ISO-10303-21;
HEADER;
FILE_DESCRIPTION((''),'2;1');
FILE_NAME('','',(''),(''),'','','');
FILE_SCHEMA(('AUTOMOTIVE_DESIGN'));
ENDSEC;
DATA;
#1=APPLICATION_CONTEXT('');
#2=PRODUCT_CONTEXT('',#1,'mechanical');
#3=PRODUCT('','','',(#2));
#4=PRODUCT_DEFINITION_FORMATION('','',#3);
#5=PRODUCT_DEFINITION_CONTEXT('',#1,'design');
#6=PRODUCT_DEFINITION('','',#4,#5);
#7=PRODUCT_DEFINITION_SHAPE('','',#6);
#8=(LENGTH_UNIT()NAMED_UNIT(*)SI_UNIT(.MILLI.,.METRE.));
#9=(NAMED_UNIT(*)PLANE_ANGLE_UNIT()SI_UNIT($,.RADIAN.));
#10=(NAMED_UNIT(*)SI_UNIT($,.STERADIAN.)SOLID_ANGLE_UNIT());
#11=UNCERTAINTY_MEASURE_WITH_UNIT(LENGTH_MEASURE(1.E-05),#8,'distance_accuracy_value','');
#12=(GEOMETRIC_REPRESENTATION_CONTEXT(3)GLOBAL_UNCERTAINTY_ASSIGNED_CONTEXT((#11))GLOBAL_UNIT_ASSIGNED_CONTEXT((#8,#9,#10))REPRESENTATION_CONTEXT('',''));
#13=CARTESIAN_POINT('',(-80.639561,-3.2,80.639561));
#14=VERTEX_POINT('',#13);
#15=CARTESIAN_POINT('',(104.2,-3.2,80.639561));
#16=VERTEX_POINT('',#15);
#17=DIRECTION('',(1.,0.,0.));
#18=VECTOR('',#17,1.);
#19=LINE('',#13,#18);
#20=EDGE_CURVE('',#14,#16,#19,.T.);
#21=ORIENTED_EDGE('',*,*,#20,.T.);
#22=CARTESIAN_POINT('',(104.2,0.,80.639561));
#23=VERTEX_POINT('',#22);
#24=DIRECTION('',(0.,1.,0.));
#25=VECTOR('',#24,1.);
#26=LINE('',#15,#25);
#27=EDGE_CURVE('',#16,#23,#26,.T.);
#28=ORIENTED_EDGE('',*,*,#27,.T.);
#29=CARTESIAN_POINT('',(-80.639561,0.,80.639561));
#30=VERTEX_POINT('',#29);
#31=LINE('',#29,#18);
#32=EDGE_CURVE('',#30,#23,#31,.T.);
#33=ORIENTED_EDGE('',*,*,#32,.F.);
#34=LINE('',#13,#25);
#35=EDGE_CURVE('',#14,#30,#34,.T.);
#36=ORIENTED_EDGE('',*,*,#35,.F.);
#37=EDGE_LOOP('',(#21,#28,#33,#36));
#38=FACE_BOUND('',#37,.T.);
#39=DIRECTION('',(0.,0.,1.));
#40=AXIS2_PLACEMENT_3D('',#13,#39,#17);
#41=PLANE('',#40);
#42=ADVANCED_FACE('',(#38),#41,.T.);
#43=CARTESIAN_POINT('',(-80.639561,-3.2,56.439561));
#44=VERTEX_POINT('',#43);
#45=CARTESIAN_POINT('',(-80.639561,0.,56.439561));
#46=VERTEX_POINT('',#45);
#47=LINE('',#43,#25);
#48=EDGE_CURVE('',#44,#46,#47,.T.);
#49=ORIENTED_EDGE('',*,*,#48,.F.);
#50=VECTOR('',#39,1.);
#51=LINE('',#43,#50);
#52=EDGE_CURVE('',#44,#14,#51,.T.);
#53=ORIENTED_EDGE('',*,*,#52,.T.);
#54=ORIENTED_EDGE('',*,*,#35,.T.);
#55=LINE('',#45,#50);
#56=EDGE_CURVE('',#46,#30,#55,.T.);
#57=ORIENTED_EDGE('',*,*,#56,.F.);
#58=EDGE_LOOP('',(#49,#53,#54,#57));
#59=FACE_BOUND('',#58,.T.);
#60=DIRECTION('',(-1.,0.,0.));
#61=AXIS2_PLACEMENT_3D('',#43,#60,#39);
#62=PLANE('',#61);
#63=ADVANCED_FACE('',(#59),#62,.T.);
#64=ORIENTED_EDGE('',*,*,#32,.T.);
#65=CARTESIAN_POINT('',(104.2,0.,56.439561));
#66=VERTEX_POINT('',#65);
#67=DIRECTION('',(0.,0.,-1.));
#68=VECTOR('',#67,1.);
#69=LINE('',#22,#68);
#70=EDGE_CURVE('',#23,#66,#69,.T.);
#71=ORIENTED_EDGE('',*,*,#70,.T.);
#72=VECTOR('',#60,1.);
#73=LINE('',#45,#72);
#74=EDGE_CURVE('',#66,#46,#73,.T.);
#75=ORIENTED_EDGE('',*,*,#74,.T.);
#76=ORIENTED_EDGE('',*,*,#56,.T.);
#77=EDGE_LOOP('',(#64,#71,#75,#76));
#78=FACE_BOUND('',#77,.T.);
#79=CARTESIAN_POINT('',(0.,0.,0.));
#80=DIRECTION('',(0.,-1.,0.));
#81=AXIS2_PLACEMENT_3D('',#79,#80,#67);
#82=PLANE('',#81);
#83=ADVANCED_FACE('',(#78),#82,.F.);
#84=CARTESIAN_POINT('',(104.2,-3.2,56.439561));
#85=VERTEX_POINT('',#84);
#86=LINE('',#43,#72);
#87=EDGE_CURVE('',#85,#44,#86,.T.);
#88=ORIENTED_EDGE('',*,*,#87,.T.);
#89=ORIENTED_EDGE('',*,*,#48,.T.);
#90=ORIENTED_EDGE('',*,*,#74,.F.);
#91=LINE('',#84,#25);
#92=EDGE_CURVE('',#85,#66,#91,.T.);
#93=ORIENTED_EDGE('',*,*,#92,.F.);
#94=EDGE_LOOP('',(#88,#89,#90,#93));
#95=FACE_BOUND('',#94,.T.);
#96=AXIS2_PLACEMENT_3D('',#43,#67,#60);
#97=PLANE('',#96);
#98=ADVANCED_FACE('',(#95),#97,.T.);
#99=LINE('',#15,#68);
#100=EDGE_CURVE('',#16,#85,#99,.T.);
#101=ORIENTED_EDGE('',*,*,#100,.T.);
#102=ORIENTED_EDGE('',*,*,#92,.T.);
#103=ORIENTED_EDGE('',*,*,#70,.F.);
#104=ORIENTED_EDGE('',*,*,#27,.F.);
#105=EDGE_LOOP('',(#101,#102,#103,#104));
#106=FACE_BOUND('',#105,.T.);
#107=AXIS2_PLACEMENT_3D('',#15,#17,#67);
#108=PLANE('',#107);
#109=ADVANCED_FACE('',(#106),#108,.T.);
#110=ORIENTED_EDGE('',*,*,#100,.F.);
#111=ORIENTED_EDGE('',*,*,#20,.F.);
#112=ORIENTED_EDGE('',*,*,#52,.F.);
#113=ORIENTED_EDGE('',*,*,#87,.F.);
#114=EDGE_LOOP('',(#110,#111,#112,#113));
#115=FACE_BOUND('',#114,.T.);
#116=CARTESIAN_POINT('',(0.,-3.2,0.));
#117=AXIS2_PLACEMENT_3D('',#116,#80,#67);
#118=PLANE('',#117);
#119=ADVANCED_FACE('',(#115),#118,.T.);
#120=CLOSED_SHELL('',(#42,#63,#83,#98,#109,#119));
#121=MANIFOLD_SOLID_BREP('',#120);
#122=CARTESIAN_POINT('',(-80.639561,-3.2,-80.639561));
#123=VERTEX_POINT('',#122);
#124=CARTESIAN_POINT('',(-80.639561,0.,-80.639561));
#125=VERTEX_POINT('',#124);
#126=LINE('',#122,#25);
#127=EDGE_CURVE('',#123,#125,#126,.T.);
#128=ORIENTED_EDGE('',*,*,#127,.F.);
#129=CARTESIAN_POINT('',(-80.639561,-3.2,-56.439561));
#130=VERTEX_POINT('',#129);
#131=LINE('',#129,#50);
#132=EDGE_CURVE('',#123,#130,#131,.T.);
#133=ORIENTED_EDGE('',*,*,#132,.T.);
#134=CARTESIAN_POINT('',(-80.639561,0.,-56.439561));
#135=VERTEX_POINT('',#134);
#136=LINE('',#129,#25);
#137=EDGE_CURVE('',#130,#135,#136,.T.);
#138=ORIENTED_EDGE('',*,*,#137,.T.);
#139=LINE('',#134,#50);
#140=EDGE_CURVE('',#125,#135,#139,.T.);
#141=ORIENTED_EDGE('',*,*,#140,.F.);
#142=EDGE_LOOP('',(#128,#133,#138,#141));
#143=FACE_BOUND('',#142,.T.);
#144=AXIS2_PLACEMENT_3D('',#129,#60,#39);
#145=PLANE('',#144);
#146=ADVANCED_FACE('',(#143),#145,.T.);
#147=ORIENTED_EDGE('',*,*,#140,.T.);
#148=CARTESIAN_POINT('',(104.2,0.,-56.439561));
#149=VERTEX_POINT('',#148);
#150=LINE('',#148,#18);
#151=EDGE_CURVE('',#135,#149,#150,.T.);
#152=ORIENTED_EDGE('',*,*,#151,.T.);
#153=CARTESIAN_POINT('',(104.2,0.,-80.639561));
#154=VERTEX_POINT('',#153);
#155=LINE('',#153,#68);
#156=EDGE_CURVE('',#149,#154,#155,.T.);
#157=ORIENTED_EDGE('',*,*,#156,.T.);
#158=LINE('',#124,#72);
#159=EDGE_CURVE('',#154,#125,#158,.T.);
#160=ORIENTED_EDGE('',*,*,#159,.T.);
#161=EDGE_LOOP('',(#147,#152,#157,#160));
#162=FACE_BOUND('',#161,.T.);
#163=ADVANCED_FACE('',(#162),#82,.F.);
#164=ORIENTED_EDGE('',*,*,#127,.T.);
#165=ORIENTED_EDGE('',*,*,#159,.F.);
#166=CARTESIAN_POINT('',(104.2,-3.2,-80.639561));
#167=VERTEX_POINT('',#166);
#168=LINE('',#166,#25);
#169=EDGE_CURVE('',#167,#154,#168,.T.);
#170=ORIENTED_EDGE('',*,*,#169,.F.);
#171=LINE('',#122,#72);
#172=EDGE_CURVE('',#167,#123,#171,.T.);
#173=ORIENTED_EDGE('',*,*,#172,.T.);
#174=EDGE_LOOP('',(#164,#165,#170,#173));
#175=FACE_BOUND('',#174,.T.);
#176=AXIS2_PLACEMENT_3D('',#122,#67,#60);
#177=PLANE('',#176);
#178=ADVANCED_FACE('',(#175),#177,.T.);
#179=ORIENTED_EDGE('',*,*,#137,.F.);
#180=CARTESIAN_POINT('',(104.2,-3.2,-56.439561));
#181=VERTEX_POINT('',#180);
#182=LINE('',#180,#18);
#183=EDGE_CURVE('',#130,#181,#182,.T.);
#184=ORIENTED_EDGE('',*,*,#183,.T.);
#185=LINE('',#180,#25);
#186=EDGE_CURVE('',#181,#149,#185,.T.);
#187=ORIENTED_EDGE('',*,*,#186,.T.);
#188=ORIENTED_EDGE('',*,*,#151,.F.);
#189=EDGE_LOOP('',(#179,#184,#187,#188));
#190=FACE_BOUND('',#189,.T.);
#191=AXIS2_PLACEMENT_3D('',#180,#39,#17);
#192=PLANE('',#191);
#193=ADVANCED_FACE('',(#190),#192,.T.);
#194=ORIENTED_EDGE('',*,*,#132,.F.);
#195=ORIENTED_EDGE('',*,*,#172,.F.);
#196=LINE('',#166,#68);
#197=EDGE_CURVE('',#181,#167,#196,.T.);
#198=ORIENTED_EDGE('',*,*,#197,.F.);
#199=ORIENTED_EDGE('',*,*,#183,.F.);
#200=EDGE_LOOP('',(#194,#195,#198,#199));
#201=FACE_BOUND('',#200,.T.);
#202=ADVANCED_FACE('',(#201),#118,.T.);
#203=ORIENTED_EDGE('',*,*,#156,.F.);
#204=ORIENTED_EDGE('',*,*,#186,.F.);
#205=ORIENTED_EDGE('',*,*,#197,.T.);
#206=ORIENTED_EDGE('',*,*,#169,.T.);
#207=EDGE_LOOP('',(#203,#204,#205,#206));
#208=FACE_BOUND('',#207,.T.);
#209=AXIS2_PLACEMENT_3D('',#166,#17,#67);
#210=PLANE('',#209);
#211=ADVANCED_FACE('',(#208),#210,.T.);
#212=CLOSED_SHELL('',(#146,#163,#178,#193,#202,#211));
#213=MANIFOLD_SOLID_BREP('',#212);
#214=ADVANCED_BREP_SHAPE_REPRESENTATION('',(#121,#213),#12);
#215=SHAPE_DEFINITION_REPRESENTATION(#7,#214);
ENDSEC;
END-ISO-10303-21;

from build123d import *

# Parameters (mm, degrees)
SKETCH1_W             = 184.839561026
SKETCH1_H             = 24.2
BOSS_EXTRUDE1_DEPTH   = 3.2
BOSS_EXTRUDE1_2_DEPTH = 3.2


with BuildPart() as part:
    # Sketch1 → Boss-Extrude1 (new body)
    with BuildSketch(Plane(origin=(0, 0, 0), x_dir=(1, 0, 0), z_dir=(0, 1, 0))):
        with Locations((11.780219487, 68.539561026)):
            Rectangle(SKETCH1_W, SKETCH1_H)
    extrude(amount=-BOSS_EXTRUDE1_DEPTH)


with BuildPart() as body_2:
    # Sketch1 → Boss-Extrude1 2 (new body)
    with BuildSketch(Plane(origin=(0, 0, 0), x_dir=(1, 0, 0), z_dir=(0, 1, 0))):
        with Locations((11.780219487, -68.539561026)):
            Rectangle(SKETCH1_W, SKETCH1_H)
    extrude(amount=-BOSS_EXTRUDE1_2_DEPTH)


solid = Compound([part.part, body_2.part])
